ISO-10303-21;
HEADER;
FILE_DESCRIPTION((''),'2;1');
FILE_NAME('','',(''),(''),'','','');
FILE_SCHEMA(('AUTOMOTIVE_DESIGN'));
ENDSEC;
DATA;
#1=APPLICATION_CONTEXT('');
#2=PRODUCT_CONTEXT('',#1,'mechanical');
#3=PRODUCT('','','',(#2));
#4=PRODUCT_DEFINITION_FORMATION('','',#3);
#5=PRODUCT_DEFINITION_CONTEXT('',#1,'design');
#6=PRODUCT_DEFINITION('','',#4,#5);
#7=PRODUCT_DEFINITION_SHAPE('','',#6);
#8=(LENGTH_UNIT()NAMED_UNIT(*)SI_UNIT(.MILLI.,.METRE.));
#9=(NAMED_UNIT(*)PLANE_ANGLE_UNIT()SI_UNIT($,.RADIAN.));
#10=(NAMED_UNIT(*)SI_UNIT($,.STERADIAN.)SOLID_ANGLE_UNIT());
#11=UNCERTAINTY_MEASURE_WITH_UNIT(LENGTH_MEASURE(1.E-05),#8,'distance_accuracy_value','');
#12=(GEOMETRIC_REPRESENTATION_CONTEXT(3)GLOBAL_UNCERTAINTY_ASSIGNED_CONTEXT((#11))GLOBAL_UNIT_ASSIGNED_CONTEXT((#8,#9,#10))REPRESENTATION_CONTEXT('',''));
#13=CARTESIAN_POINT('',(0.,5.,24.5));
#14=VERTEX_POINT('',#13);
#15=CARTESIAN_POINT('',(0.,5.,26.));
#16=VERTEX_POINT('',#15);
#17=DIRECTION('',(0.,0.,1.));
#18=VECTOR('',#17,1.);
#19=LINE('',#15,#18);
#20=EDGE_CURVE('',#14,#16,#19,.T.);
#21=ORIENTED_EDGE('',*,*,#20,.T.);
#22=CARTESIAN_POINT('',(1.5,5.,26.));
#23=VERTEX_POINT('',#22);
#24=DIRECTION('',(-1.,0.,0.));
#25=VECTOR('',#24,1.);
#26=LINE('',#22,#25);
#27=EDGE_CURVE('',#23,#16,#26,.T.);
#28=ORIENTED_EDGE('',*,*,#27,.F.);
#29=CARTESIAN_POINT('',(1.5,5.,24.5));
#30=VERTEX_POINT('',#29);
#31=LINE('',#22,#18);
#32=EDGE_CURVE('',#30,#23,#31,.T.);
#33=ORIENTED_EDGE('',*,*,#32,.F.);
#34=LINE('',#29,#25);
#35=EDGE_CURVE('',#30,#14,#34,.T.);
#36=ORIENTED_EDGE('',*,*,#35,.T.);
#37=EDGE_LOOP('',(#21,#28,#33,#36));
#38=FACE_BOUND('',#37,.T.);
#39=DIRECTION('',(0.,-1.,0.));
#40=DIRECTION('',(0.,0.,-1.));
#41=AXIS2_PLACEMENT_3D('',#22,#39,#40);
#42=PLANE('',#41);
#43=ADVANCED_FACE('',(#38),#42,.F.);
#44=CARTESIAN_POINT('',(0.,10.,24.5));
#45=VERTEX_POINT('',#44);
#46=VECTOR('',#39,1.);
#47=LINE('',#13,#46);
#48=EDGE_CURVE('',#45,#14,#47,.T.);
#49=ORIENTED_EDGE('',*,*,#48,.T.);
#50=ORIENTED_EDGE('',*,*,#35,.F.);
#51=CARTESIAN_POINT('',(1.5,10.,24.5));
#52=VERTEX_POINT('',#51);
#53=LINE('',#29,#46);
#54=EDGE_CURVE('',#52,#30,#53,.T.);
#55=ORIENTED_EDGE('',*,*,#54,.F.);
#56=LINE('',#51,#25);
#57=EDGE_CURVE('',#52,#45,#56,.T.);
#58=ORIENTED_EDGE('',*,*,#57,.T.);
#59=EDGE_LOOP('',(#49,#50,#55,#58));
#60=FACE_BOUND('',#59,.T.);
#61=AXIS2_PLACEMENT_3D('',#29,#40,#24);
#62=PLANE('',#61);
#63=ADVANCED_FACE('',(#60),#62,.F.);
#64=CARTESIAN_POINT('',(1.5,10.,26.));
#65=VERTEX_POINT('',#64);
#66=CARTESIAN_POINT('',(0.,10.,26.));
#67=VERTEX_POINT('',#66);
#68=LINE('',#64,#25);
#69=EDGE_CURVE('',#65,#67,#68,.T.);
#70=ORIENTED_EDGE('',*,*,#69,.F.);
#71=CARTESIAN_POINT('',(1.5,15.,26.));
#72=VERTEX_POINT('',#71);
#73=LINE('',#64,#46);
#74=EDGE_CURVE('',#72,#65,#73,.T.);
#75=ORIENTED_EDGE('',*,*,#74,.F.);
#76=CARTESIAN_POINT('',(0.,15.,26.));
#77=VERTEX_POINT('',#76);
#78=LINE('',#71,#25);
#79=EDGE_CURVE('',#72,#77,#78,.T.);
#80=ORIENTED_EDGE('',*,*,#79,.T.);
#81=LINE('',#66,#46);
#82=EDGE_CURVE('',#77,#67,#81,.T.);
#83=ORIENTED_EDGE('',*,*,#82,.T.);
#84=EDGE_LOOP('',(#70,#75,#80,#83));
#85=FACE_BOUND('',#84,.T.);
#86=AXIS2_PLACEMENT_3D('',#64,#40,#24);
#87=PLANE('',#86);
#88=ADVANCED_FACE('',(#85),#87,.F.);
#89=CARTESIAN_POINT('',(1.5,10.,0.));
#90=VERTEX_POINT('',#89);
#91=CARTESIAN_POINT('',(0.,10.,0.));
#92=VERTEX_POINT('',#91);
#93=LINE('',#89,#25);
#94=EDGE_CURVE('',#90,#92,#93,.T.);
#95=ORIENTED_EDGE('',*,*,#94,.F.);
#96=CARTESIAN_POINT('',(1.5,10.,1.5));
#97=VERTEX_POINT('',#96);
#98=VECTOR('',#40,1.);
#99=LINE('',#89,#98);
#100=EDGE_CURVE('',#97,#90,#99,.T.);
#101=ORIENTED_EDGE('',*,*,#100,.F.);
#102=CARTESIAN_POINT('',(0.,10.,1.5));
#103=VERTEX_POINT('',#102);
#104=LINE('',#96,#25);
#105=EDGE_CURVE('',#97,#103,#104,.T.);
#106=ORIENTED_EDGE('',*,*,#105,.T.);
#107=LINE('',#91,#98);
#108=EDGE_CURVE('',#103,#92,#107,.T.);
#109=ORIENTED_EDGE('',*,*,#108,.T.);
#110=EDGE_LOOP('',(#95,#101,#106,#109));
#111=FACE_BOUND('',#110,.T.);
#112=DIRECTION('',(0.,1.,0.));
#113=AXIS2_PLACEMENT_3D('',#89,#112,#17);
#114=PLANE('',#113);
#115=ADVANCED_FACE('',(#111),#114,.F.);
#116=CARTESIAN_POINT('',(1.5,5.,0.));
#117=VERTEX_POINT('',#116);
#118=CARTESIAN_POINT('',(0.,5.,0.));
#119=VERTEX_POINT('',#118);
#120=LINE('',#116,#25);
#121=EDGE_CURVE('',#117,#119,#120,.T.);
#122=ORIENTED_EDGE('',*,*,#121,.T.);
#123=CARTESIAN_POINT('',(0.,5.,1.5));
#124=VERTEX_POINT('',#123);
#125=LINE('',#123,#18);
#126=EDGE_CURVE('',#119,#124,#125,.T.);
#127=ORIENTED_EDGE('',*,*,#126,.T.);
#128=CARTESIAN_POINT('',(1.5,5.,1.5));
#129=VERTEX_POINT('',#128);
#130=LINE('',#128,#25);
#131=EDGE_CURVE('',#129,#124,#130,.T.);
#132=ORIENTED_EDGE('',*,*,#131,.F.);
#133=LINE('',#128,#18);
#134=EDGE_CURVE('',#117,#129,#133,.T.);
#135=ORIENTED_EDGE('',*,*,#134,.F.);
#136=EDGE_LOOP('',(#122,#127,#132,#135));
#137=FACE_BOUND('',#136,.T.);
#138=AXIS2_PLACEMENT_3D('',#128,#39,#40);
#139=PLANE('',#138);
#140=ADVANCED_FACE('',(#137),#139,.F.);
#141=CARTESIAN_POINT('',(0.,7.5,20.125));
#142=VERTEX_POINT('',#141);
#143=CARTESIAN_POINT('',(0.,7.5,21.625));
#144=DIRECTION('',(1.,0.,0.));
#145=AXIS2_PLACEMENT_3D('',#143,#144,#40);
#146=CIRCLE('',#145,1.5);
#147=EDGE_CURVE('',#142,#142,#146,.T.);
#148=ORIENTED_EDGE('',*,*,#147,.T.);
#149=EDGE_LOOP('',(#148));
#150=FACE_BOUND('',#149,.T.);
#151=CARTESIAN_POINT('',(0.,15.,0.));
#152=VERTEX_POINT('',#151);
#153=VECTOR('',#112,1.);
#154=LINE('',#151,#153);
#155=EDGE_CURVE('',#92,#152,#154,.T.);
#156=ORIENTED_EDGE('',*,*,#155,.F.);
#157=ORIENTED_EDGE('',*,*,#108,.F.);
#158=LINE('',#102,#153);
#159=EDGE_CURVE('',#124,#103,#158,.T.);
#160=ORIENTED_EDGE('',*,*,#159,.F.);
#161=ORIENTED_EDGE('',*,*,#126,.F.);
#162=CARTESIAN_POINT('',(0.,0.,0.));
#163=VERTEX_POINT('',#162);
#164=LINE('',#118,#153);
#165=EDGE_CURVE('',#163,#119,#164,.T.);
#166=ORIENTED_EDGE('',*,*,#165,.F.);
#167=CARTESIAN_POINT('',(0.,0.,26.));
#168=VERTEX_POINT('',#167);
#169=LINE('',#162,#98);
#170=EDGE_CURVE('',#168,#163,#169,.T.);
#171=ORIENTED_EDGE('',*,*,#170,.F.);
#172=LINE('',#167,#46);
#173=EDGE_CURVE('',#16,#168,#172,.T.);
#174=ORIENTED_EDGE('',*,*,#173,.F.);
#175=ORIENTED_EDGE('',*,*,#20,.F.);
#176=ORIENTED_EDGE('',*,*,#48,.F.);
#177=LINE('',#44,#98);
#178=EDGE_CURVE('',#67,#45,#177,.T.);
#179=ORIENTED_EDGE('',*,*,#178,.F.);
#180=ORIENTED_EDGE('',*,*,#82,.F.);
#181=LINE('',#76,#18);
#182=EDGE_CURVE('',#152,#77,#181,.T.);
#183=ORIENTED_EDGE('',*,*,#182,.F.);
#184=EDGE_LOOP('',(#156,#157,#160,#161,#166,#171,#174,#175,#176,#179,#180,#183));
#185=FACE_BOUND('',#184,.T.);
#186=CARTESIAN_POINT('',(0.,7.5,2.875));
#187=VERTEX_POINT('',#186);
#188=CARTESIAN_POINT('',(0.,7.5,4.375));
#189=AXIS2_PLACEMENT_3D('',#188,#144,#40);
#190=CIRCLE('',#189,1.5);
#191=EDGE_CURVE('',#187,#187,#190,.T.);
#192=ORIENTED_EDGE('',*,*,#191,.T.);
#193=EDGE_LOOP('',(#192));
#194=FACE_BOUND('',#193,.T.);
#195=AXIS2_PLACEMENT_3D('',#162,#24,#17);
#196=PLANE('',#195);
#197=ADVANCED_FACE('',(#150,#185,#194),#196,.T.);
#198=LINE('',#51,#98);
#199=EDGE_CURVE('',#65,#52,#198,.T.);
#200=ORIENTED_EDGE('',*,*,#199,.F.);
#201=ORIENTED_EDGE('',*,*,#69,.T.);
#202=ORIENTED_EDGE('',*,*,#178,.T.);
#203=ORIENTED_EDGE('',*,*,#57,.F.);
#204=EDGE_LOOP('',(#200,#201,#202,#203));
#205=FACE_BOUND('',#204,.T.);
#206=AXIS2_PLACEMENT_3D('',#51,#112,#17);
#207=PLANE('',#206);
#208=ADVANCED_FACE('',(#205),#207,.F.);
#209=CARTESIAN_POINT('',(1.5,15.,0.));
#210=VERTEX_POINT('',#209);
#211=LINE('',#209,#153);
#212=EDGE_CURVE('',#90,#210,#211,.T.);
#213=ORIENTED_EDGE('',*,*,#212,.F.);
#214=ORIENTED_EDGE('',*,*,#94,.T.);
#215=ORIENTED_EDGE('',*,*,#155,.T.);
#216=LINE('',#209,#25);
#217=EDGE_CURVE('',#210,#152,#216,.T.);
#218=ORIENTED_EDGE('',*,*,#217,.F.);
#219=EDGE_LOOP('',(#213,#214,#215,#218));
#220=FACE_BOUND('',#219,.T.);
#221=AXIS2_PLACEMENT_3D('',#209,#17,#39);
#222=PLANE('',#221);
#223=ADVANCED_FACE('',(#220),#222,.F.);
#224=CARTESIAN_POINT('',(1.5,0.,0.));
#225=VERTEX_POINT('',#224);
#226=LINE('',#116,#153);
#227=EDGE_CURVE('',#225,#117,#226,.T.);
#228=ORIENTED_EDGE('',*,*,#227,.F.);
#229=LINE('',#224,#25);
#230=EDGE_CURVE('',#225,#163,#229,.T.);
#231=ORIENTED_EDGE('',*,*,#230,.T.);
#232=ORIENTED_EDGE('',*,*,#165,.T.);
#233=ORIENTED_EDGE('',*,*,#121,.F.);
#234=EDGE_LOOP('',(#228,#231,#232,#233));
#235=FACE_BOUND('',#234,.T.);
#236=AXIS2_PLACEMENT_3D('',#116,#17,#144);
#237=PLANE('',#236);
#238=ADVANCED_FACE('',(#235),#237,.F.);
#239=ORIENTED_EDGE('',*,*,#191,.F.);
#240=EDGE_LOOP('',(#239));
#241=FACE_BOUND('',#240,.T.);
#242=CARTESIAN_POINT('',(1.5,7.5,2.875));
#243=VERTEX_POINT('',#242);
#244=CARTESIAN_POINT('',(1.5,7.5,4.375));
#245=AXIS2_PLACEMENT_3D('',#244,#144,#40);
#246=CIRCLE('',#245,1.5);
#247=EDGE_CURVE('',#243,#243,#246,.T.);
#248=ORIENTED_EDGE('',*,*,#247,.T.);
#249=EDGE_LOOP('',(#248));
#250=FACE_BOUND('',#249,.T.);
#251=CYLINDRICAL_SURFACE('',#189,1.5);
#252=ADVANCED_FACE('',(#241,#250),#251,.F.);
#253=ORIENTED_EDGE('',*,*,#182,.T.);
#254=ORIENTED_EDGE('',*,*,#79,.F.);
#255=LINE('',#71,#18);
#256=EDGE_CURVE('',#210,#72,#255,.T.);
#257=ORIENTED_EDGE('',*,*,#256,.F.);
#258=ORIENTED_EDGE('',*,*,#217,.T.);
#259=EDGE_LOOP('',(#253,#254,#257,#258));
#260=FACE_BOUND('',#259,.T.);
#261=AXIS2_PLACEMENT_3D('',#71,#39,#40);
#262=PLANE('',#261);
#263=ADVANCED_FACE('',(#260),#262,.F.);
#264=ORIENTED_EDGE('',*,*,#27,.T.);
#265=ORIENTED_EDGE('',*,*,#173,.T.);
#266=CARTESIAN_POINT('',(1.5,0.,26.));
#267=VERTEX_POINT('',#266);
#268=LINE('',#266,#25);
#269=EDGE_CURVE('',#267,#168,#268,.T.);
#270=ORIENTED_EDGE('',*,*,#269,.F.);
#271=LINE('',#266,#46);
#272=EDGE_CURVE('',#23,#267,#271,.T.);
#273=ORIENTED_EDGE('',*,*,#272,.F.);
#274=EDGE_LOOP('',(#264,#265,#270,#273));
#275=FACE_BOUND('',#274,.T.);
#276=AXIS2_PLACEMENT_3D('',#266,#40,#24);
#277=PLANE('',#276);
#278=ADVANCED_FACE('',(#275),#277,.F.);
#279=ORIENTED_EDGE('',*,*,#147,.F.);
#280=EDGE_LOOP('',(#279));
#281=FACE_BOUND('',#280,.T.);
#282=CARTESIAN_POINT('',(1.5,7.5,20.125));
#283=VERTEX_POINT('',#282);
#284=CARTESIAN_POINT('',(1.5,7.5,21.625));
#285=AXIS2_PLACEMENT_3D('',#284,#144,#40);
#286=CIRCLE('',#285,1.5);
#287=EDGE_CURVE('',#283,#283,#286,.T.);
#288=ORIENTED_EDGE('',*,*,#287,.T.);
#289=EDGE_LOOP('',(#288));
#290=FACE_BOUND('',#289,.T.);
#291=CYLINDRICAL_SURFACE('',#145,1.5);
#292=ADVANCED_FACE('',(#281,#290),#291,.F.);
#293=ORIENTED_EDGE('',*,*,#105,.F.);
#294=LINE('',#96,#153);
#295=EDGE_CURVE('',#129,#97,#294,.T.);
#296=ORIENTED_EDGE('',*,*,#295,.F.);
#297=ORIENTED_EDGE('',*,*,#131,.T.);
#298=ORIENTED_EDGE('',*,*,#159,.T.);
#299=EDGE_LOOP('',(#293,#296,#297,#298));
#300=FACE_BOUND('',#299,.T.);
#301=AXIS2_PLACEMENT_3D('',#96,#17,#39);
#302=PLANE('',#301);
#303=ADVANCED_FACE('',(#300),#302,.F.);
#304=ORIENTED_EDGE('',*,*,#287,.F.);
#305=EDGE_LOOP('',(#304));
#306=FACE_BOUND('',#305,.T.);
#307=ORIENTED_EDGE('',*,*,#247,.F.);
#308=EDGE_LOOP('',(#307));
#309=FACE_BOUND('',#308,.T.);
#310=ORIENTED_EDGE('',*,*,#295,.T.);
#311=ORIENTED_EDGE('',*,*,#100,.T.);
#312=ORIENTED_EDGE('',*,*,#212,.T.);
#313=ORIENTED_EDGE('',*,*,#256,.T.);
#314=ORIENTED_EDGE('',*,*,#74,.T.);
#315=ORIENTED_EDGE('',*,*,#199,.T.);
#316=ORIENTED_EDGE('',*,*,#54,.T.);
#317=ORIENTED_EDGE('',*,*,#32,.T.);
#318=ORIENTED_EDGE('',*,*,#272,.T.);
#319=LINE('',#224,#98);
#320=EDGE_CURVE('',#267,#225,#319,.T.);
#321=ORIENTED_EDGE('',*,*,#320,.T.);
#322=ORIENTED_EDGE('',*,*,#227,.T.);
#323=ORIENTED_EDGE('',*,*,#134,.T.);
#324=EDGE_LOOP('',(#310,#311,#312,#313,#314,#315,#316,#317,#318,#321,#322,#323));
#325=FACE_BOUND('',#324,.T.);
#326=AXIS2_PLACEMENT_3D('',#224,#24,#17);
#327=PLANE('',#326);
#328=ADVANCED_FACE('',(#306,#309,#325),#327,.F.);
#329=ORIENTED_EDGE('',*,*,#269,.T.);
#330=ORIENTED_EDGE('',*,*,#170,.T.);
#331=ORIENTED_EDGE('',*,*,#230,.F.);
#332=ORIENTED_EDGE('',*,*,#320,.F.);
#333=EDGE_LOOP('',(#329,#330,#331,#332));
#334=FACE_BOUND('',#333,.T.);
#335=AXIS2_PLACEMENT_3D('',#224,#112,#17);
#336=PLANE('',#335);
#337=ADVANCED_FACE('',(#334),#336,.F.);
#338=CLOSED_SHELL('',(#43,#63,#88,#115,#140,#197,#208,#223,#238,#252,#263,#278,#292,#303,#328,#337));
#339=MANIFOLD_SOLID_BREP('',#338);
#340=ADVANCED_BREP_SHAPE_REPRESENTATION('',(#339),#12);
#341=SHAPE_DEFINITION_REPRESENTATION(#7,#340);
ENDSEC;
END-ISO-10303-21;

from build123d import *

# Parameters (mm, degrees)
BOSS_EXTRUDE1_DEPTH = 1.5
SKETCH2_R           = 1.5
CUT_EXTRUDE1_DEPTH  = 31.054117854


with BuildPart() as part:
    # Sketch1 → Boss-Extrude1 (new body)
    with BuildSketch(Plane.YZ):
        Polygon((0, 0), (0, 26), (5, 26), (5, 24.5), (10, 24.5), (10, 26), (15, 26), (15, 0), (10, 0), (10, 1.5), (5, 1.5), (5, 0), align=None)
    extrude(amount=BOSS_EXTRUDE1_DEPTH)

    # Sketch2 → Cut-Extrude1 (cut, through all)
    with BuildSketch(Plane.YZ.offset(1.5)):
        with Locations(Location((7.5, 21.625, 0), (0, 0, 270))):
            Circle(SKETCH2_R)
        with Locations(Location((7.5, 4.375, 0), (0, 0, 270))):
            Circle(SKETCH2_R)
    extrude(amount=-CUT_EXTRUDE1_DEPTH, mode=Mode.SUBTRACT)


solid = part.part
